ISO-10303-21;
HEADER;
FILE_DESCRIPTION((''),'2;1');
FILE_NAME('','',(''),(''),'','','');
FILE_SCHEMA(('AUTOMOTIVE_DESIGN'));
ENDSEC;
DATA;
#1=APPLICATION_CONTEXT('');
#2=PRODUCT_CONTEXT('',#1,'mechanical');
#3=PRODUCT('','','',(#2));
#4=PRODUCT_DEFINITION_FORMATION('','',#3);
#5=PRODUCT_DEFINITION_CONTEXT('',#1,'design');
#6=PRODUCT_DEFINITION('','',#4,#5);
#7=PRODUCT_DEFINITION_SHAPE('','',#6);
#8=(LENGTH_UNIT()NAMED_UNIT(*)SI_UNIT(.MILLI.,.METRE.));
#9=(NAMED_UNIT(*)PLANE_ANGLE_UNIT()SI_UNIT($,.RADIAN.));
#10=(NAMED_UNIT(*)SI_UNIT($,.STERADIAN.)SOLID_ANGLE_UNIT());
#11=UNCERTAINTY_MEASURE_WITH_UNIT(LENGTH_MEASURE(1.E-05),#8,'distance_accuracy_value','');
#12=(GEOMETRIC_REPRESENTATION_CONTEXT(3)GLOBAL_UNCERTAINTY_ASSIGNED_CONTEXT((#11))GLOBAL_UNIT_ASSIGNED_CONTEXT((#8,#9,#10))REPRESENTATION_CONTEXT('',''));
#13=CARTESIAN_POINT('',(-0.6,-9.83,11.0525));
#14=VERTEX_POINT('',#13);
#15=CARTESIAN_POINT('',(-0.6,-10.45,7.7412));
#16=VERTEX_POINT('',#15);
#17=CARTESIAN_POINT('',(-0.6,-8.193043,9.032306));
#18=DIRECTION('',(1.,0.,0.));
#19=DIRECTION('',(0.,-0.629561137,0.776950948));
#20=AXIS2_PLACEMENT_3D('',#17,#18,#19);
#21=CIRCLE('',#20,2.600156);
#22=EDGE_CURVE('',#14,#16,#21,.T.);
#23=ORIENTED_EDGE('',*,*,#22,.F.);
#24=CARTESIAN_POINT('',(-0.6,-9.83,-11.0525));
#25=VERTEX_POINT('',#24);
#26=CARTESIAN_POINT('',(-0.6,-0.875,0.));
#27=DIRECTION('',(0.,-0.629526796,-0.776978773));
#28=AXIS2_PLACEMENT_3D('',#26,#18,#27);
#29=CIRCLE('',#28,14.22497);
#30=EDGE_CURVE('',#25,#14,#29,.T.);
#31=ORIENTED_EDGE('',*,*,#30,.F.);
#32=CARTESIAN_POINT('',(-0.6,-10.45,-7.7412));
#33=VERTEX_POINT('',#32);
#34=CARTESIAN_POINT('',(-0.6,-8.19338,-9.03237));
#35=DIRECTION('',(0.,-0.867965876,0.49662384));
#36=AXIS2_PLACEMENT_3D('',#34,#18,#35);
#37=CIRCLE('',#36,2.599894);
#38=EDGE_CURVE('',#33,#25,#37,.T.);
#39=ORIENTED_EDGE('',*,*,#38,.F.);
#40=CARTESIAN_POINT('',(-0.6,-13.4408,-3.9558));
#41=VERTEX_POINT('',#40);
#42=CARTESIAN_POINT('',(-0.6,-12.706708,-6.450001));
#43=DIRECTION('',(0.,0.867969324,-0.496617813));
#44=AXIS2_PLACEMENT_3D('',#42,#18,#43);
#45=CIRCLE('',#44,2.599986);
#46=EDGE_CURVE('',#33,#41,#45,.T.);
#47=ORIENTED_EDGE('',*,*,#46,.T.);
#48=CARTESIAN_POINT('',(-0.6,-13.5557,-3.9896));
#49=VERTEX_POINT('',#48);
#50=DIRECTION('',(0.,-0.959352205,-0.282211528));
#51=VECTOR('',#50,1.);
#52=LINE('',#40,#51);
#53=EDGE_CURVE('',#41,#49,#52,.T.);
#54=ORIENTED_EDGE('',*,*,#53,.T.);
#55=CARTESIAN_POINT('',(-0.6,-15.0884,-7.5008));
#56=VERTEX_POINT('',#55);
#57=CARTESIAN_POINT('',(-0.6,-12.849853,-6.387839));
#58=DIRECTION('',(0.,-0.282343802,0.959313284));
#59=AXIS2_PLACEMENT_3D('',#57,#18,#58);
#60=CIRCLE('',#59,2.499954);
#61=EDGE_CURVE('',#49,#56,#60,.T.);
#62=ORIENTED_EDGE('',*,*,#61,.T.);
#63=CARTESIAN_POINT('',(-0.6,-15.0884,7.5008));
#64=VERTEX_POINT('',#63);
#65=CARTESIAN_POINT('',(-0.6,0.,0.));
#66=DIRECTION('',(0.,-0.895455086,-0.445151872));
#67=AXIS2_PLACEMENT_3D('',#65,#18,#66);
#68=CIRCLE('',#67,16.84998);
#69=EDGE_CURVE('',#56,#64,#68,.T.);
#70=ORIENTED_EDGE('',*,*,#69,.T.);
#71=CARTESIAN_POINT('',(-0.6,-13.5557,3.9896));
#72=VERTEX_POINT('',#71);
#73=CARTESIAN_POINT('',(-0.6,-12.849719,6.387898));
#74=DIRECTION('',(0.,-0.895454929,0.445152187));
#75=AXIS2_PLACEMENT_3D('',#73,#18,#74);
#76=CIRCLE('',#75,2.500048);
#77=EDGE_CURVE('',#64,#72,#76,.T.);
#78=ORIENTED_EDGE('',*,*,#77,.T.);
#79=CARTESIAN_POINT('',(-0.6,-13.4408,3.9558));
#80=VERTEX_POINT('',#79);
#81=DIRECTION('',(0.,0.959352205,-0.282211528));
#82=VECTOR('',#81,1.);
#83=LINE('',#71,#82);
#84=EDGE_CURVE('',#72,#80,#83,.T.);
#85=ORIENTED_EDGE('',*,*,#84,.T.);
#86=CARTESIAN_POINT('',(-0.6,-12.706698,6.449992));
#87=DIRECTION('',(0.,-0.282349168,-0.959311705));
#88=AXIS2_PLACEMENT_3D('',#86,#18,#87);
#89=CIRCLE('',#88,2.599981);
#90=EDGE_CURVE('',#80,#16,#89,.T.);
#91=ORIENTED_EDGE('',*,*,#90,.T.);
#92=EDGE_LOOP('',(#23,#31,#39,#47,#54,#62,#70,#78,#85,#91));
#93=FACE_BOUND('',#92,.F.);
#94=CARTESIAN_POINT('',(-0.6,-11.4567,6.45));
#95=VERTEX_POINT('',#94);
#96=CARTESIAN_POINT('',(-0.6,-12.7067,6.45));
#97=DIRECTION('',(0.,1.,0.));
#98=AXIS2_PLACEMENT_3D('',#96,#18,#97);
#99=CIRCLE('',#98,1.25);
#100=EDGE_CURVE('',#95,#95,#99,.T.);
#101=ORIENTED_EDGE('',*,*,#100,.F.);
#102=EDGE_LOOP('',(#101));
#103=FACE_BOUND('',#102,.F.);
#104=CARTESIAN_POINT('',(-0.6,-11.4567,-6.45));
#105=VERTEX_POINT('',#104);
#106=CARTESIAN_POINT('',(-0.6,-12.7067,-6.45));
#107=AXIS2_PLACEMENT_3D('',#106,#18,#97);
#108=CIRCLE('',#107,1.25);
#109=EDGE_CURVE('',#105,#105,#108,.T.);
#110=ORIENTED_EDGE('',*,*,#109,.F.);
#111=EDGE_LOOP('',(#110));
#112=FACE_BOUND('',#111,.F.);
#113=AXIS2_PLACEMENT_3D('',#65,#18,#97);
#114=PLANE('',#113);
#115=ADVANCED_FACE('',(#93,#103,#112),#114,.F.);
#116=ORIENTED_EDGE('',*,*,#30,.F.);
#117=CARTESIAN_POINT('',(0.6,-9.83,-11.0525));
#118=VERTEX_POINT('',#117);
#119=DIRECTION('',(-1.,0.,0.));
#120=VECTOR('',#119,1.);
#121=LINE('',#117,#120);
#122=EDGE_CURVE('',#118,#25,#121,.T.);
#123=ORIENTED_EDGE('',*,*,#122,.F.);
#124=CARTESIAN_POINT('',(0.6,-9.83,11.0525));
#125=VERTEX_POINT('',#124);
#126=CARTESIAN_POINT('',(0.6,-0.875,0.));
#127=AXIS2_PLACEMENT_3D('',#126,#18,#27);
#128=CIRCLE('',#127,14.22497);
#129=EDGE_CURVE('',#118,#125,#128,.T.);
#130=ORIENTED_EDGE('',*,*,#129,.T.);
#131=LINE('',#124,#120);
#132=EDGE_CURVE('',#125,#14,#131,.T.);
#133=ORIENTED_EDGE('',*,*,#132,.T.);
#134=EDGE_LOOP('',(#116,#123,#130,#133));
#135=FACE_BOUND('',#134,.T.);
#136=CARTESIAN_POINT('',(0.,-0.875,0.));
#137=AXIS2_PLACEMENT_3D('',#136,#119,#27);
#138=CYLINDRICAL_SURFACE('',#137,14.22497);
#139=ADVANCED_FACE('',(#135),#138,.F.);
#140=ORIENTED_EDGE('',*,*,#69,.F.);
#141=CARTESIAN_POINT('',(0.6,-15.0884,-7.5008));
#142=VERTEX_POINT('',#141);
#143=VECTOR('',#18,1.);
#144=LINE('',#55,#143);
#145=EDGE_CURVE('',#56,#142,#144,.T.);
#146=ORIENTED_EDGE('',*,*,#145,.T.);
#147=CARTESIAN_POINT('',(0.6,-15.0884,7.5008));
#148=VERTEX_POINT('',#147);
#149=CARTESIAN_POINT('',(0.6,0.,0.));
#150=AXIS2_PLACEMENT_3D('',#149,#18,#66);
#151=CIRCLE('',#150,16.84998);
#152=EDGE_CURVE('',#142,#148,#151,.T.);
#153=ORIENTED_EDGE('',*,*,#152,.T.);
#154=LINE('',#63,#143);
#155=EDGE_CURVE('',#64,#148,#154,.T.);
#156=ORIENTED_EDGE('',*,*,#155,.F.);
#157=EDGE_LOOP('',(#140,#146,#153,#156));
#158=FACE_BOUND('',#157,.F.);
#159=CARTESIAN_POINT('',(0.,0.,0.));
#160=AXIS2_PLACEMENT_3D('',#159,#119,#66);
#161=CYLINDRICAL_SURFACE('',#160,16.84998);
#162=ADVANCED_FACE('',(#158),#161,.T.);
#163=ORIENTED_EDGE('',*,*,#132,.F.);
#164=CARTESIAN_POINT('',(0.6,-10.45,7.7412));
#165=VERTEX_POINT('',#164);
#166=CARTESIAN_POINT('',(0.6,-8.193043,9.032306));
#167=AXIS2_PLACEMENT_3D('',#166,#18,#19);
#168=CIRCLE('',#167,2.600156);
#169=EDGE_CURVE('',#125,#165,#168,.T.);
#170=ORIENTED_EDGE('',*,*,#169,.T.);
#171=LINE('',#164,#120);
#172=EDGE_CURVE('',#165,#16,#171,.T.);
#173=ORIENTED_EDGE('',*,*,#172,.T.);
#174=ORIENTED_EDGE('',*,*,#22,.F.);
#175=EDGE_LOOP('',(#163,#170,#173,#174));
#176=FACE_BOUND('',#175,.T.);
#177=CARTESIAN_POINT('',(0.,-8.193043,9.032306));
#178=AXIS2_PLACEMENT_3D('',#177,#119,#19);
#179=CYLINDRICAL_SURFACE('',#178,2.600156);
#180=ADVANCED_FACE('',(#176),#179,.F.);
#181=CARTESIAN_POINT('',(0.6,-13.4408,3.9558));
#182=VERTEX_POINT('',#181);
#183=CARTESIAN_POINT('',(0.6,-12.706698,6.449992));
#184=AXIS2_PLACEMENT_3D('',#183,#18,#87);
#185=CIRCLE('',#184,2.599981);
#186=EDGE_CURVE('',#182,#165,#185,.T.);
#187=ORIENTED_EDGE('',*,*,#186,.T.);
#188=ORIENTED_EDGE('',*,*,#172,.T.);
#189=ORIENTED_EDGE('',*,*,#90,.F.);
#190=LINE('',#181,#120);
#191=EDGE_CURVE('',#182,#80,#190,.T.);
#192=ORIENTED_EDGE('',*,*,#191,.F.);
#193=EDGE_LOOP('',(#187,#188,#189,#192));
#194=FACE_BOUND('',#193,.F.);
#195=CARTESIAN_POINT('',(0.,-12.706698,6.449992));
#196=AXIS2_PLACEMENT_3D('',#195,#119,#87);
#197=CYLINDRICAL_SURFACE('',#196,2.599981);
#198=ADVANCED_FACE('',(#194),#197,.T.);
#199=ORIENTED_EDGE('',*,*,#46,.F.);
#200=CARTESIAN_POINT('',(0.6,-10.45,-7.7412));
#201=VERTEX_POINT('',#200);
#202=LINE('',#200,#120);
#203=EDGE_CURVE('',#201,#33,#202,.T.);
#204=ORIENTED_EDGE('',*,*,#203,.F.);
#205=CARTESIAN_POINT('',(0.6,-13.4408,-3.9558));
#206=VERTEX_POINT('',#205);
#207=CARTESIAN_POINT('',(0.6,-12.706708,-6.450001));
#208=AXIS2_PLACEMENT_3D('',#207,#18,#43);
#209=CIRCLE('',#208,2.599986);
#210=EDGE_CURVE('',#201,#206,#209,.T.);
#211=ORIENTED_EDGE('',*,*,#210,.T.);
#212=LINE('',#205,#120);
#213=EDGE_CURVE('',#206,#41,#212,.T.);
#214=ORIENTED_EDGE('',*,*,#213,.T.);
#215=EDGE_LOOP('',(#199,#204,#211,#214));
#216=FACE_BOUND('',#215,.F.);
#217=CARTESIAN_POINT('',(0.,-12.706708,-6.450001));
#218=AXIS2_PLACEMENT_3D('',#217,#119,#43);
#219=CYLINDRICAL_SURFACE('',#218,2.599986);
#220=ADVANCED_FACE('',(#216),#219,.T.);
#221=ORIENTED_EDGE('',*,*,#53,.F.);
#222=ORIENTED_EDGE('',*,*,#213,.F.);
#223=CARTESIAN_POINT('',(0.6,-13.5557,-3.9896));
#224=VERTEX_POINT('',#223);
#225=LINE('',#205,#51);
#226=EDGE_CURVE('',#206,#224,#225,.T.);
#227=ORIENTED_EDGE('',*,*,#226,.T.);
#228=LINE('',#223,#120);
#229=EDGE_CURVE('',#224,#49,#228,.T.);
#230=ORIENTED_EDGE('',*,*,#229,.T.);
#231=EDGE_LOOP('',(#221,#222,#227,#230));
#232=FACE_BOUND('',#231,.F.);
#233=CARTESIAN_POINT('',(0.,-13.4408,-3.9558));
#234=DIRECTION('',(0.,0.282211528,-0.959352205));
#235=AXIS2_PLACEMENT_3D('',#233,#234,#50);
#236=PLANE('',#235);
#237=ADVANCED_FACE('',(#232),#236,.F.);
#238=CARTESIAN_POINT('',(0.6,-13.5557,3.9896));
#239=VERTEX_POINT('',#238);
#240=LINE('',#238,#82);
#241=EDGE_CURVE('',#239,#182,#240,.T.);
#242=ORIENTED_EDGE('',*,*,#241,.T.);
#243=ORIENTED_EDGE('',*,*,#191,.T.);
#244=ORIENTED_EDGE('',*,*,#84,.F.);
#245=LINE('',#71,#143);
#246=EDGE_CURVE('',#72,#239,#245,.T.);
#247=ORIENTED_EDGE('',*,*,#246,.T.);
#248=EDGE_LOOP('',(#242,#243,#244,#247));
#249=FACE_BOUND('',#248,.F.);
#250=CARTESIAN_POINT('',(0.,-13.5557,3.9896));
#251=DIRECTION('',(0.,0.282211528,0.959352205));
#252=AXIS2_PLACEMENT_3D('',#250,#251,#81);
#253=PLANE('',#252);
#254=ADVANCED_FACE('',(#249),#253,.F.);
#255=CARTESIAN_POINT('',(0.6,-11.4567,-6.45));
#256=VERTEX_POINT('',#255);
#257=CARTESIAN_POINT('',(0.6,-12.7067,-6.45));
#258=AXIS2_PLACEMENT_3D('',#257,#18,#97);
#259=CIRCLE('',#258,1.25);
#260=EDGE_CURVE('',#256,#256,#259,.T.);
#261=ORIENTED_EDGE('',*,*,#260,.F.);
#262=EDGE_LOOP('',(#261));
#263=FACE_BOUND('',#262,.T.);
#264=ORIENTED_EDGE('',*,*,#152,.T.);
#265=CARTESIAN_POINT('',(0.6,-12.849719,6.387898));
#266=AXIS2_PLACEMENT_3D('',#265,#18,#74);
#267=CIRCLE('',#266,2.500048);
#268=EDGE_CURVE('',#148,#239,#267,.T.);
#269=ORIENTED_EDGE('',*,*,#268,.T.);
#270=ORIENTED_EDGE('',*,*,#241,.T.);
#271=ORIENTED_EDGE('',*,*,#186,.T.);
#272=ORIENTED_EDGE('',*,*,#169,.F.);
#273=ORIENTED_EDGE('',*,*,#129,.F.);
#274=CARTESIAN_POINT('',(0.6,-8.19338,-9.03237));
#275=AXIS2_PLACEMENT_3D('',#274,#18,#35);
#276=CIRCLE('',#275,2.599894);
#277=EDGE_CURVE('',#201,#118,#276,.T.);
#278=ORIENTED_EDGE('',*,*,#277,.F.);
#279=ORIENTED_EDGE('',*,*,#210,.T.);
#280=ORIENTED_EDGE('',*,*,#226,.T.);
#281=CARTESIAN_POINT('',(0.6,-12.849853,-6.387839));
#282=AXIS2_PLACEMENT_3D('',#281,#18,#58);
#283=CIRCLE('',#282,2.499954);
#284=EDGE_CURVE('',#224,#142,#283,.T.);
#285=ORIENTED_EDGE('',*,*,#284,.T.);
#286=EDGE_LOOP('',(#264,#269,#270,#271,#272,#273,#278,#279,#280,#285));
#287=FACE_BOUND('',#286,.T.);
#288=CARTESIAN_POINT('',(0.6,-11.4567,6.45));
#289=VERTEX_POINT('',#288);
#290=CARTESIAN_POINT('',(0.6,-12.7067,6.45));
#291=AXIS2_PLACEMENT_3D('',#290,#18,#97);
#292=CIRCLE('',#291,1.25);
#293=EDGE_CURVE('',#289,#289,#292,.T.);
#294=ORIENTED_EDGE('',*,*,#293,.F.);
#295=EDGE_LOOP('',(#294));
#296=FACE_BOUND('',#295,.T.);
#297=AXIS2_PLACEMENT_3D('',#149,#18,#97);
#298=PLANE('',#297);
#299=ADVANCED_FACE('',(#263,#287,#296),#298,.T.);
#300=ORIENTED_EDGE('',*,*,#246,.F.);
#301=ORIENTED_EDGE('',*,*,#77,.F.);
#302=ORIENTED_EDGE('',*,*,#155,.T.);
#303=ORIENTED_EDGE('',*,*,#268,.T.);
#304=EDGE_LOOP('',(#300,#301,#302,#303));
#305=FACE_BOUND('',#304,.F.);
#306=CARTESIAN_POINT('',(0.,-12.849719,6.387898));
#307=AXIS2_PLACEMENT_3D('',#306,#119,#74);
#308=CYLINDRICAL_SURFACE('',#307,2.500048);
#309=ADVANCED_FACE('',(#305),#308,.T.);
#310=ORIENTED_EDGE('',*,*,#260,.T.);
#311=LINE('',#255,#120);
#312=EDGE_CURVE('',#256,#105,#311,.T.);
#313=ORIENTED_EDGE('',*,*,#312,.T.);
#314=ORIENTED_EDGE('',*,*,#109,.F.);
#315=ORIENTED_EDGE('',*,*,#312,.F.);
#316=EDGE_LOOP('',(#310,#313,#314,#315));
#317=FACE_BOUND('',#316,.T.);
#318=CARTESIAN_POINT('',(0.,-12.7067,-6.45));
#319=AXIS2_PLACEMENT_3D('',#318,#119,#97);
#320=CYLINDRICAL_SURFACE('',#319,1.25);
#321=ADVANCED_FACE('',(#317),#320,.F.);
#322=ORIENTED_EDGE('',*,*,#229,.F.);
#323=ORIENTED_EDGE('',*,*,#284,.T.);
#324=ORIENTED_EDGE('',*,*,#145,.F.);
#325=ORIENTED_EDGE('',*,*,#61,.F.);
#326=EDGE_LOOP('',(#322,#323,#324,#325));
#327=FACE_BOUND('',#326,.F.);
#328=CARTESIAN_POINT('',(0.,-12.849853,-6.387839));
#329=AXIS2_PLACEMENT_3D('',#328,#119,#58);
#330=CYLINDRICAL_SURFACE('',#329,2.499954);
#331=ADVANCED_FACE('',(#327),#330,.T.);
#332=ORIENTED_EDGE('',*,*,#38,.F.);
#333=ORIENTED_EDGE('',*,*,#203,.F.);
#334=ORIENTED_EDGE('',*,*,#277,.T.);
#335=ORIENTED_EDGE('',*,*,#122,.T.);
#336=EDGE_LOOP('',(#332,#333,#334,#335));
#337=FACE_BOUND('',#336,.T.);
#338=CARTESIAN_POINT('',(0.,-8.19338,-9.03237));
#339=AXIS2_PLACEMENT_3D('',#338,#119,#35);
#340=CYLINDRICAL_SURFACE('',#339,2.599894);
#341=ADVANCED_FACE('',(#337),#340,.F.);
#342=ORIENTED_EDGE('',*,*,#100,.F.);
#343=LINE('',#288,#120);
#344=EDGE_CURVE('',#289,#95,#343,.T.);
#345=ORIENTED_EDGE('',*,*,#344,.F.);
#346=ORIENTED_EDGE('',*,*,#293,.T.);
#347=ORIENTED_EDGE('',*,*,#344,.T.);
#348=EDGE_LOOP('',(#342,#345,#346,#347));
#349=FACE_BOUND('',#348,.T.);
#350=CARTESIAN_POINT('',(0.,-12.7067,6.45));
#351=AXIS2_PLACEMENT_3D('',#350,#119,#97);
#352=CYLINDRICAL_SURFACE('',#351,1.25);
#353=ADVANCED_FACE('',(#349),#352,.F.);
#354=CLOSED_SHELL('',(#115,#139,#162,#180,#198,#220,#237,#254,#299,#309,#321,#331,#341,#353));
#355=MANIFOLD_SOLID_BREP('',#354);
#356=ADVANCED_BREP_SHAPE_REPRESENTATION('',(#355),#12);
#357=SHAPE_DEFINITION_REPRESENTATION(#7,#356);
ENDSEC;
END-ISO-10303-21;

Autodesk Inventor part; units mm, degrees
sketch "Sketch_3" plane through (0, 0, 0) normal (1, 0, 0) x (0, 1, 0)
  arc A0 (-15.0884, -7.5008) -> (-15.0884, 7.5008) centre (0, 0) ccw
  arc A1 (-15.0884, 7.5008) -> (-13.5557, 3.9896) centre (-12.8498, 6.3879) ccw
  line L0 (-13.5557, 3.9896) -> (-13.4408, 3.9558)
  arc A2 (-13.4408, 3.9558) -> (-10.45, 7.7412) centre (-12.7067, 6.45) ccw
  arc A3 (-9.83, 11.0525) -> (-10.45, 7.7412) centre (-8.1932, 9.0324) ccw
  arc A4 (-9.83, -11.0525) -> (-9.83, 11.0525) centre (-0.875, 0) ccw
  arc A5 (-10.45, -7.7412) -> (-9.83, -11.0525) centre (-8.1932, -9.0324) ccw
  arc A6 (-10.45, -7.7412) -> (-13.4408, -3.9558) centre (-12.7067, -6.45) ccw
  line L1 (-13.4408, -3.9558) -> (-13.5557, -3.9896)
  arc A7 (-13.5557, -3.9896) -> (-15.0884, -7.5008) centre (-12.8498, -6.3879) ccw
  circle A8 centre (-12.7067, -6.45) radius 1.25
  circle A9 centre (-12.7067, 6.45) radius 1.25
extrude "Extrusion1" add sketch "Sketch_3" along normal mid plane 1.2
ref_plane "rr_XY" through (-0.6, 0, 0) normal (1, 0, 0) x (0, 0, -1)
ref_plane "rr_YZ" through (-0.6, 0, 0) normal (0, 0, -1) x (0, 1, 0)
ref_plane "rr_ZX" through (-0.6, 0, 0) normal (0, 1, 0) x (1, 0, 0)
properties part number "RRING-C-INT-32"
